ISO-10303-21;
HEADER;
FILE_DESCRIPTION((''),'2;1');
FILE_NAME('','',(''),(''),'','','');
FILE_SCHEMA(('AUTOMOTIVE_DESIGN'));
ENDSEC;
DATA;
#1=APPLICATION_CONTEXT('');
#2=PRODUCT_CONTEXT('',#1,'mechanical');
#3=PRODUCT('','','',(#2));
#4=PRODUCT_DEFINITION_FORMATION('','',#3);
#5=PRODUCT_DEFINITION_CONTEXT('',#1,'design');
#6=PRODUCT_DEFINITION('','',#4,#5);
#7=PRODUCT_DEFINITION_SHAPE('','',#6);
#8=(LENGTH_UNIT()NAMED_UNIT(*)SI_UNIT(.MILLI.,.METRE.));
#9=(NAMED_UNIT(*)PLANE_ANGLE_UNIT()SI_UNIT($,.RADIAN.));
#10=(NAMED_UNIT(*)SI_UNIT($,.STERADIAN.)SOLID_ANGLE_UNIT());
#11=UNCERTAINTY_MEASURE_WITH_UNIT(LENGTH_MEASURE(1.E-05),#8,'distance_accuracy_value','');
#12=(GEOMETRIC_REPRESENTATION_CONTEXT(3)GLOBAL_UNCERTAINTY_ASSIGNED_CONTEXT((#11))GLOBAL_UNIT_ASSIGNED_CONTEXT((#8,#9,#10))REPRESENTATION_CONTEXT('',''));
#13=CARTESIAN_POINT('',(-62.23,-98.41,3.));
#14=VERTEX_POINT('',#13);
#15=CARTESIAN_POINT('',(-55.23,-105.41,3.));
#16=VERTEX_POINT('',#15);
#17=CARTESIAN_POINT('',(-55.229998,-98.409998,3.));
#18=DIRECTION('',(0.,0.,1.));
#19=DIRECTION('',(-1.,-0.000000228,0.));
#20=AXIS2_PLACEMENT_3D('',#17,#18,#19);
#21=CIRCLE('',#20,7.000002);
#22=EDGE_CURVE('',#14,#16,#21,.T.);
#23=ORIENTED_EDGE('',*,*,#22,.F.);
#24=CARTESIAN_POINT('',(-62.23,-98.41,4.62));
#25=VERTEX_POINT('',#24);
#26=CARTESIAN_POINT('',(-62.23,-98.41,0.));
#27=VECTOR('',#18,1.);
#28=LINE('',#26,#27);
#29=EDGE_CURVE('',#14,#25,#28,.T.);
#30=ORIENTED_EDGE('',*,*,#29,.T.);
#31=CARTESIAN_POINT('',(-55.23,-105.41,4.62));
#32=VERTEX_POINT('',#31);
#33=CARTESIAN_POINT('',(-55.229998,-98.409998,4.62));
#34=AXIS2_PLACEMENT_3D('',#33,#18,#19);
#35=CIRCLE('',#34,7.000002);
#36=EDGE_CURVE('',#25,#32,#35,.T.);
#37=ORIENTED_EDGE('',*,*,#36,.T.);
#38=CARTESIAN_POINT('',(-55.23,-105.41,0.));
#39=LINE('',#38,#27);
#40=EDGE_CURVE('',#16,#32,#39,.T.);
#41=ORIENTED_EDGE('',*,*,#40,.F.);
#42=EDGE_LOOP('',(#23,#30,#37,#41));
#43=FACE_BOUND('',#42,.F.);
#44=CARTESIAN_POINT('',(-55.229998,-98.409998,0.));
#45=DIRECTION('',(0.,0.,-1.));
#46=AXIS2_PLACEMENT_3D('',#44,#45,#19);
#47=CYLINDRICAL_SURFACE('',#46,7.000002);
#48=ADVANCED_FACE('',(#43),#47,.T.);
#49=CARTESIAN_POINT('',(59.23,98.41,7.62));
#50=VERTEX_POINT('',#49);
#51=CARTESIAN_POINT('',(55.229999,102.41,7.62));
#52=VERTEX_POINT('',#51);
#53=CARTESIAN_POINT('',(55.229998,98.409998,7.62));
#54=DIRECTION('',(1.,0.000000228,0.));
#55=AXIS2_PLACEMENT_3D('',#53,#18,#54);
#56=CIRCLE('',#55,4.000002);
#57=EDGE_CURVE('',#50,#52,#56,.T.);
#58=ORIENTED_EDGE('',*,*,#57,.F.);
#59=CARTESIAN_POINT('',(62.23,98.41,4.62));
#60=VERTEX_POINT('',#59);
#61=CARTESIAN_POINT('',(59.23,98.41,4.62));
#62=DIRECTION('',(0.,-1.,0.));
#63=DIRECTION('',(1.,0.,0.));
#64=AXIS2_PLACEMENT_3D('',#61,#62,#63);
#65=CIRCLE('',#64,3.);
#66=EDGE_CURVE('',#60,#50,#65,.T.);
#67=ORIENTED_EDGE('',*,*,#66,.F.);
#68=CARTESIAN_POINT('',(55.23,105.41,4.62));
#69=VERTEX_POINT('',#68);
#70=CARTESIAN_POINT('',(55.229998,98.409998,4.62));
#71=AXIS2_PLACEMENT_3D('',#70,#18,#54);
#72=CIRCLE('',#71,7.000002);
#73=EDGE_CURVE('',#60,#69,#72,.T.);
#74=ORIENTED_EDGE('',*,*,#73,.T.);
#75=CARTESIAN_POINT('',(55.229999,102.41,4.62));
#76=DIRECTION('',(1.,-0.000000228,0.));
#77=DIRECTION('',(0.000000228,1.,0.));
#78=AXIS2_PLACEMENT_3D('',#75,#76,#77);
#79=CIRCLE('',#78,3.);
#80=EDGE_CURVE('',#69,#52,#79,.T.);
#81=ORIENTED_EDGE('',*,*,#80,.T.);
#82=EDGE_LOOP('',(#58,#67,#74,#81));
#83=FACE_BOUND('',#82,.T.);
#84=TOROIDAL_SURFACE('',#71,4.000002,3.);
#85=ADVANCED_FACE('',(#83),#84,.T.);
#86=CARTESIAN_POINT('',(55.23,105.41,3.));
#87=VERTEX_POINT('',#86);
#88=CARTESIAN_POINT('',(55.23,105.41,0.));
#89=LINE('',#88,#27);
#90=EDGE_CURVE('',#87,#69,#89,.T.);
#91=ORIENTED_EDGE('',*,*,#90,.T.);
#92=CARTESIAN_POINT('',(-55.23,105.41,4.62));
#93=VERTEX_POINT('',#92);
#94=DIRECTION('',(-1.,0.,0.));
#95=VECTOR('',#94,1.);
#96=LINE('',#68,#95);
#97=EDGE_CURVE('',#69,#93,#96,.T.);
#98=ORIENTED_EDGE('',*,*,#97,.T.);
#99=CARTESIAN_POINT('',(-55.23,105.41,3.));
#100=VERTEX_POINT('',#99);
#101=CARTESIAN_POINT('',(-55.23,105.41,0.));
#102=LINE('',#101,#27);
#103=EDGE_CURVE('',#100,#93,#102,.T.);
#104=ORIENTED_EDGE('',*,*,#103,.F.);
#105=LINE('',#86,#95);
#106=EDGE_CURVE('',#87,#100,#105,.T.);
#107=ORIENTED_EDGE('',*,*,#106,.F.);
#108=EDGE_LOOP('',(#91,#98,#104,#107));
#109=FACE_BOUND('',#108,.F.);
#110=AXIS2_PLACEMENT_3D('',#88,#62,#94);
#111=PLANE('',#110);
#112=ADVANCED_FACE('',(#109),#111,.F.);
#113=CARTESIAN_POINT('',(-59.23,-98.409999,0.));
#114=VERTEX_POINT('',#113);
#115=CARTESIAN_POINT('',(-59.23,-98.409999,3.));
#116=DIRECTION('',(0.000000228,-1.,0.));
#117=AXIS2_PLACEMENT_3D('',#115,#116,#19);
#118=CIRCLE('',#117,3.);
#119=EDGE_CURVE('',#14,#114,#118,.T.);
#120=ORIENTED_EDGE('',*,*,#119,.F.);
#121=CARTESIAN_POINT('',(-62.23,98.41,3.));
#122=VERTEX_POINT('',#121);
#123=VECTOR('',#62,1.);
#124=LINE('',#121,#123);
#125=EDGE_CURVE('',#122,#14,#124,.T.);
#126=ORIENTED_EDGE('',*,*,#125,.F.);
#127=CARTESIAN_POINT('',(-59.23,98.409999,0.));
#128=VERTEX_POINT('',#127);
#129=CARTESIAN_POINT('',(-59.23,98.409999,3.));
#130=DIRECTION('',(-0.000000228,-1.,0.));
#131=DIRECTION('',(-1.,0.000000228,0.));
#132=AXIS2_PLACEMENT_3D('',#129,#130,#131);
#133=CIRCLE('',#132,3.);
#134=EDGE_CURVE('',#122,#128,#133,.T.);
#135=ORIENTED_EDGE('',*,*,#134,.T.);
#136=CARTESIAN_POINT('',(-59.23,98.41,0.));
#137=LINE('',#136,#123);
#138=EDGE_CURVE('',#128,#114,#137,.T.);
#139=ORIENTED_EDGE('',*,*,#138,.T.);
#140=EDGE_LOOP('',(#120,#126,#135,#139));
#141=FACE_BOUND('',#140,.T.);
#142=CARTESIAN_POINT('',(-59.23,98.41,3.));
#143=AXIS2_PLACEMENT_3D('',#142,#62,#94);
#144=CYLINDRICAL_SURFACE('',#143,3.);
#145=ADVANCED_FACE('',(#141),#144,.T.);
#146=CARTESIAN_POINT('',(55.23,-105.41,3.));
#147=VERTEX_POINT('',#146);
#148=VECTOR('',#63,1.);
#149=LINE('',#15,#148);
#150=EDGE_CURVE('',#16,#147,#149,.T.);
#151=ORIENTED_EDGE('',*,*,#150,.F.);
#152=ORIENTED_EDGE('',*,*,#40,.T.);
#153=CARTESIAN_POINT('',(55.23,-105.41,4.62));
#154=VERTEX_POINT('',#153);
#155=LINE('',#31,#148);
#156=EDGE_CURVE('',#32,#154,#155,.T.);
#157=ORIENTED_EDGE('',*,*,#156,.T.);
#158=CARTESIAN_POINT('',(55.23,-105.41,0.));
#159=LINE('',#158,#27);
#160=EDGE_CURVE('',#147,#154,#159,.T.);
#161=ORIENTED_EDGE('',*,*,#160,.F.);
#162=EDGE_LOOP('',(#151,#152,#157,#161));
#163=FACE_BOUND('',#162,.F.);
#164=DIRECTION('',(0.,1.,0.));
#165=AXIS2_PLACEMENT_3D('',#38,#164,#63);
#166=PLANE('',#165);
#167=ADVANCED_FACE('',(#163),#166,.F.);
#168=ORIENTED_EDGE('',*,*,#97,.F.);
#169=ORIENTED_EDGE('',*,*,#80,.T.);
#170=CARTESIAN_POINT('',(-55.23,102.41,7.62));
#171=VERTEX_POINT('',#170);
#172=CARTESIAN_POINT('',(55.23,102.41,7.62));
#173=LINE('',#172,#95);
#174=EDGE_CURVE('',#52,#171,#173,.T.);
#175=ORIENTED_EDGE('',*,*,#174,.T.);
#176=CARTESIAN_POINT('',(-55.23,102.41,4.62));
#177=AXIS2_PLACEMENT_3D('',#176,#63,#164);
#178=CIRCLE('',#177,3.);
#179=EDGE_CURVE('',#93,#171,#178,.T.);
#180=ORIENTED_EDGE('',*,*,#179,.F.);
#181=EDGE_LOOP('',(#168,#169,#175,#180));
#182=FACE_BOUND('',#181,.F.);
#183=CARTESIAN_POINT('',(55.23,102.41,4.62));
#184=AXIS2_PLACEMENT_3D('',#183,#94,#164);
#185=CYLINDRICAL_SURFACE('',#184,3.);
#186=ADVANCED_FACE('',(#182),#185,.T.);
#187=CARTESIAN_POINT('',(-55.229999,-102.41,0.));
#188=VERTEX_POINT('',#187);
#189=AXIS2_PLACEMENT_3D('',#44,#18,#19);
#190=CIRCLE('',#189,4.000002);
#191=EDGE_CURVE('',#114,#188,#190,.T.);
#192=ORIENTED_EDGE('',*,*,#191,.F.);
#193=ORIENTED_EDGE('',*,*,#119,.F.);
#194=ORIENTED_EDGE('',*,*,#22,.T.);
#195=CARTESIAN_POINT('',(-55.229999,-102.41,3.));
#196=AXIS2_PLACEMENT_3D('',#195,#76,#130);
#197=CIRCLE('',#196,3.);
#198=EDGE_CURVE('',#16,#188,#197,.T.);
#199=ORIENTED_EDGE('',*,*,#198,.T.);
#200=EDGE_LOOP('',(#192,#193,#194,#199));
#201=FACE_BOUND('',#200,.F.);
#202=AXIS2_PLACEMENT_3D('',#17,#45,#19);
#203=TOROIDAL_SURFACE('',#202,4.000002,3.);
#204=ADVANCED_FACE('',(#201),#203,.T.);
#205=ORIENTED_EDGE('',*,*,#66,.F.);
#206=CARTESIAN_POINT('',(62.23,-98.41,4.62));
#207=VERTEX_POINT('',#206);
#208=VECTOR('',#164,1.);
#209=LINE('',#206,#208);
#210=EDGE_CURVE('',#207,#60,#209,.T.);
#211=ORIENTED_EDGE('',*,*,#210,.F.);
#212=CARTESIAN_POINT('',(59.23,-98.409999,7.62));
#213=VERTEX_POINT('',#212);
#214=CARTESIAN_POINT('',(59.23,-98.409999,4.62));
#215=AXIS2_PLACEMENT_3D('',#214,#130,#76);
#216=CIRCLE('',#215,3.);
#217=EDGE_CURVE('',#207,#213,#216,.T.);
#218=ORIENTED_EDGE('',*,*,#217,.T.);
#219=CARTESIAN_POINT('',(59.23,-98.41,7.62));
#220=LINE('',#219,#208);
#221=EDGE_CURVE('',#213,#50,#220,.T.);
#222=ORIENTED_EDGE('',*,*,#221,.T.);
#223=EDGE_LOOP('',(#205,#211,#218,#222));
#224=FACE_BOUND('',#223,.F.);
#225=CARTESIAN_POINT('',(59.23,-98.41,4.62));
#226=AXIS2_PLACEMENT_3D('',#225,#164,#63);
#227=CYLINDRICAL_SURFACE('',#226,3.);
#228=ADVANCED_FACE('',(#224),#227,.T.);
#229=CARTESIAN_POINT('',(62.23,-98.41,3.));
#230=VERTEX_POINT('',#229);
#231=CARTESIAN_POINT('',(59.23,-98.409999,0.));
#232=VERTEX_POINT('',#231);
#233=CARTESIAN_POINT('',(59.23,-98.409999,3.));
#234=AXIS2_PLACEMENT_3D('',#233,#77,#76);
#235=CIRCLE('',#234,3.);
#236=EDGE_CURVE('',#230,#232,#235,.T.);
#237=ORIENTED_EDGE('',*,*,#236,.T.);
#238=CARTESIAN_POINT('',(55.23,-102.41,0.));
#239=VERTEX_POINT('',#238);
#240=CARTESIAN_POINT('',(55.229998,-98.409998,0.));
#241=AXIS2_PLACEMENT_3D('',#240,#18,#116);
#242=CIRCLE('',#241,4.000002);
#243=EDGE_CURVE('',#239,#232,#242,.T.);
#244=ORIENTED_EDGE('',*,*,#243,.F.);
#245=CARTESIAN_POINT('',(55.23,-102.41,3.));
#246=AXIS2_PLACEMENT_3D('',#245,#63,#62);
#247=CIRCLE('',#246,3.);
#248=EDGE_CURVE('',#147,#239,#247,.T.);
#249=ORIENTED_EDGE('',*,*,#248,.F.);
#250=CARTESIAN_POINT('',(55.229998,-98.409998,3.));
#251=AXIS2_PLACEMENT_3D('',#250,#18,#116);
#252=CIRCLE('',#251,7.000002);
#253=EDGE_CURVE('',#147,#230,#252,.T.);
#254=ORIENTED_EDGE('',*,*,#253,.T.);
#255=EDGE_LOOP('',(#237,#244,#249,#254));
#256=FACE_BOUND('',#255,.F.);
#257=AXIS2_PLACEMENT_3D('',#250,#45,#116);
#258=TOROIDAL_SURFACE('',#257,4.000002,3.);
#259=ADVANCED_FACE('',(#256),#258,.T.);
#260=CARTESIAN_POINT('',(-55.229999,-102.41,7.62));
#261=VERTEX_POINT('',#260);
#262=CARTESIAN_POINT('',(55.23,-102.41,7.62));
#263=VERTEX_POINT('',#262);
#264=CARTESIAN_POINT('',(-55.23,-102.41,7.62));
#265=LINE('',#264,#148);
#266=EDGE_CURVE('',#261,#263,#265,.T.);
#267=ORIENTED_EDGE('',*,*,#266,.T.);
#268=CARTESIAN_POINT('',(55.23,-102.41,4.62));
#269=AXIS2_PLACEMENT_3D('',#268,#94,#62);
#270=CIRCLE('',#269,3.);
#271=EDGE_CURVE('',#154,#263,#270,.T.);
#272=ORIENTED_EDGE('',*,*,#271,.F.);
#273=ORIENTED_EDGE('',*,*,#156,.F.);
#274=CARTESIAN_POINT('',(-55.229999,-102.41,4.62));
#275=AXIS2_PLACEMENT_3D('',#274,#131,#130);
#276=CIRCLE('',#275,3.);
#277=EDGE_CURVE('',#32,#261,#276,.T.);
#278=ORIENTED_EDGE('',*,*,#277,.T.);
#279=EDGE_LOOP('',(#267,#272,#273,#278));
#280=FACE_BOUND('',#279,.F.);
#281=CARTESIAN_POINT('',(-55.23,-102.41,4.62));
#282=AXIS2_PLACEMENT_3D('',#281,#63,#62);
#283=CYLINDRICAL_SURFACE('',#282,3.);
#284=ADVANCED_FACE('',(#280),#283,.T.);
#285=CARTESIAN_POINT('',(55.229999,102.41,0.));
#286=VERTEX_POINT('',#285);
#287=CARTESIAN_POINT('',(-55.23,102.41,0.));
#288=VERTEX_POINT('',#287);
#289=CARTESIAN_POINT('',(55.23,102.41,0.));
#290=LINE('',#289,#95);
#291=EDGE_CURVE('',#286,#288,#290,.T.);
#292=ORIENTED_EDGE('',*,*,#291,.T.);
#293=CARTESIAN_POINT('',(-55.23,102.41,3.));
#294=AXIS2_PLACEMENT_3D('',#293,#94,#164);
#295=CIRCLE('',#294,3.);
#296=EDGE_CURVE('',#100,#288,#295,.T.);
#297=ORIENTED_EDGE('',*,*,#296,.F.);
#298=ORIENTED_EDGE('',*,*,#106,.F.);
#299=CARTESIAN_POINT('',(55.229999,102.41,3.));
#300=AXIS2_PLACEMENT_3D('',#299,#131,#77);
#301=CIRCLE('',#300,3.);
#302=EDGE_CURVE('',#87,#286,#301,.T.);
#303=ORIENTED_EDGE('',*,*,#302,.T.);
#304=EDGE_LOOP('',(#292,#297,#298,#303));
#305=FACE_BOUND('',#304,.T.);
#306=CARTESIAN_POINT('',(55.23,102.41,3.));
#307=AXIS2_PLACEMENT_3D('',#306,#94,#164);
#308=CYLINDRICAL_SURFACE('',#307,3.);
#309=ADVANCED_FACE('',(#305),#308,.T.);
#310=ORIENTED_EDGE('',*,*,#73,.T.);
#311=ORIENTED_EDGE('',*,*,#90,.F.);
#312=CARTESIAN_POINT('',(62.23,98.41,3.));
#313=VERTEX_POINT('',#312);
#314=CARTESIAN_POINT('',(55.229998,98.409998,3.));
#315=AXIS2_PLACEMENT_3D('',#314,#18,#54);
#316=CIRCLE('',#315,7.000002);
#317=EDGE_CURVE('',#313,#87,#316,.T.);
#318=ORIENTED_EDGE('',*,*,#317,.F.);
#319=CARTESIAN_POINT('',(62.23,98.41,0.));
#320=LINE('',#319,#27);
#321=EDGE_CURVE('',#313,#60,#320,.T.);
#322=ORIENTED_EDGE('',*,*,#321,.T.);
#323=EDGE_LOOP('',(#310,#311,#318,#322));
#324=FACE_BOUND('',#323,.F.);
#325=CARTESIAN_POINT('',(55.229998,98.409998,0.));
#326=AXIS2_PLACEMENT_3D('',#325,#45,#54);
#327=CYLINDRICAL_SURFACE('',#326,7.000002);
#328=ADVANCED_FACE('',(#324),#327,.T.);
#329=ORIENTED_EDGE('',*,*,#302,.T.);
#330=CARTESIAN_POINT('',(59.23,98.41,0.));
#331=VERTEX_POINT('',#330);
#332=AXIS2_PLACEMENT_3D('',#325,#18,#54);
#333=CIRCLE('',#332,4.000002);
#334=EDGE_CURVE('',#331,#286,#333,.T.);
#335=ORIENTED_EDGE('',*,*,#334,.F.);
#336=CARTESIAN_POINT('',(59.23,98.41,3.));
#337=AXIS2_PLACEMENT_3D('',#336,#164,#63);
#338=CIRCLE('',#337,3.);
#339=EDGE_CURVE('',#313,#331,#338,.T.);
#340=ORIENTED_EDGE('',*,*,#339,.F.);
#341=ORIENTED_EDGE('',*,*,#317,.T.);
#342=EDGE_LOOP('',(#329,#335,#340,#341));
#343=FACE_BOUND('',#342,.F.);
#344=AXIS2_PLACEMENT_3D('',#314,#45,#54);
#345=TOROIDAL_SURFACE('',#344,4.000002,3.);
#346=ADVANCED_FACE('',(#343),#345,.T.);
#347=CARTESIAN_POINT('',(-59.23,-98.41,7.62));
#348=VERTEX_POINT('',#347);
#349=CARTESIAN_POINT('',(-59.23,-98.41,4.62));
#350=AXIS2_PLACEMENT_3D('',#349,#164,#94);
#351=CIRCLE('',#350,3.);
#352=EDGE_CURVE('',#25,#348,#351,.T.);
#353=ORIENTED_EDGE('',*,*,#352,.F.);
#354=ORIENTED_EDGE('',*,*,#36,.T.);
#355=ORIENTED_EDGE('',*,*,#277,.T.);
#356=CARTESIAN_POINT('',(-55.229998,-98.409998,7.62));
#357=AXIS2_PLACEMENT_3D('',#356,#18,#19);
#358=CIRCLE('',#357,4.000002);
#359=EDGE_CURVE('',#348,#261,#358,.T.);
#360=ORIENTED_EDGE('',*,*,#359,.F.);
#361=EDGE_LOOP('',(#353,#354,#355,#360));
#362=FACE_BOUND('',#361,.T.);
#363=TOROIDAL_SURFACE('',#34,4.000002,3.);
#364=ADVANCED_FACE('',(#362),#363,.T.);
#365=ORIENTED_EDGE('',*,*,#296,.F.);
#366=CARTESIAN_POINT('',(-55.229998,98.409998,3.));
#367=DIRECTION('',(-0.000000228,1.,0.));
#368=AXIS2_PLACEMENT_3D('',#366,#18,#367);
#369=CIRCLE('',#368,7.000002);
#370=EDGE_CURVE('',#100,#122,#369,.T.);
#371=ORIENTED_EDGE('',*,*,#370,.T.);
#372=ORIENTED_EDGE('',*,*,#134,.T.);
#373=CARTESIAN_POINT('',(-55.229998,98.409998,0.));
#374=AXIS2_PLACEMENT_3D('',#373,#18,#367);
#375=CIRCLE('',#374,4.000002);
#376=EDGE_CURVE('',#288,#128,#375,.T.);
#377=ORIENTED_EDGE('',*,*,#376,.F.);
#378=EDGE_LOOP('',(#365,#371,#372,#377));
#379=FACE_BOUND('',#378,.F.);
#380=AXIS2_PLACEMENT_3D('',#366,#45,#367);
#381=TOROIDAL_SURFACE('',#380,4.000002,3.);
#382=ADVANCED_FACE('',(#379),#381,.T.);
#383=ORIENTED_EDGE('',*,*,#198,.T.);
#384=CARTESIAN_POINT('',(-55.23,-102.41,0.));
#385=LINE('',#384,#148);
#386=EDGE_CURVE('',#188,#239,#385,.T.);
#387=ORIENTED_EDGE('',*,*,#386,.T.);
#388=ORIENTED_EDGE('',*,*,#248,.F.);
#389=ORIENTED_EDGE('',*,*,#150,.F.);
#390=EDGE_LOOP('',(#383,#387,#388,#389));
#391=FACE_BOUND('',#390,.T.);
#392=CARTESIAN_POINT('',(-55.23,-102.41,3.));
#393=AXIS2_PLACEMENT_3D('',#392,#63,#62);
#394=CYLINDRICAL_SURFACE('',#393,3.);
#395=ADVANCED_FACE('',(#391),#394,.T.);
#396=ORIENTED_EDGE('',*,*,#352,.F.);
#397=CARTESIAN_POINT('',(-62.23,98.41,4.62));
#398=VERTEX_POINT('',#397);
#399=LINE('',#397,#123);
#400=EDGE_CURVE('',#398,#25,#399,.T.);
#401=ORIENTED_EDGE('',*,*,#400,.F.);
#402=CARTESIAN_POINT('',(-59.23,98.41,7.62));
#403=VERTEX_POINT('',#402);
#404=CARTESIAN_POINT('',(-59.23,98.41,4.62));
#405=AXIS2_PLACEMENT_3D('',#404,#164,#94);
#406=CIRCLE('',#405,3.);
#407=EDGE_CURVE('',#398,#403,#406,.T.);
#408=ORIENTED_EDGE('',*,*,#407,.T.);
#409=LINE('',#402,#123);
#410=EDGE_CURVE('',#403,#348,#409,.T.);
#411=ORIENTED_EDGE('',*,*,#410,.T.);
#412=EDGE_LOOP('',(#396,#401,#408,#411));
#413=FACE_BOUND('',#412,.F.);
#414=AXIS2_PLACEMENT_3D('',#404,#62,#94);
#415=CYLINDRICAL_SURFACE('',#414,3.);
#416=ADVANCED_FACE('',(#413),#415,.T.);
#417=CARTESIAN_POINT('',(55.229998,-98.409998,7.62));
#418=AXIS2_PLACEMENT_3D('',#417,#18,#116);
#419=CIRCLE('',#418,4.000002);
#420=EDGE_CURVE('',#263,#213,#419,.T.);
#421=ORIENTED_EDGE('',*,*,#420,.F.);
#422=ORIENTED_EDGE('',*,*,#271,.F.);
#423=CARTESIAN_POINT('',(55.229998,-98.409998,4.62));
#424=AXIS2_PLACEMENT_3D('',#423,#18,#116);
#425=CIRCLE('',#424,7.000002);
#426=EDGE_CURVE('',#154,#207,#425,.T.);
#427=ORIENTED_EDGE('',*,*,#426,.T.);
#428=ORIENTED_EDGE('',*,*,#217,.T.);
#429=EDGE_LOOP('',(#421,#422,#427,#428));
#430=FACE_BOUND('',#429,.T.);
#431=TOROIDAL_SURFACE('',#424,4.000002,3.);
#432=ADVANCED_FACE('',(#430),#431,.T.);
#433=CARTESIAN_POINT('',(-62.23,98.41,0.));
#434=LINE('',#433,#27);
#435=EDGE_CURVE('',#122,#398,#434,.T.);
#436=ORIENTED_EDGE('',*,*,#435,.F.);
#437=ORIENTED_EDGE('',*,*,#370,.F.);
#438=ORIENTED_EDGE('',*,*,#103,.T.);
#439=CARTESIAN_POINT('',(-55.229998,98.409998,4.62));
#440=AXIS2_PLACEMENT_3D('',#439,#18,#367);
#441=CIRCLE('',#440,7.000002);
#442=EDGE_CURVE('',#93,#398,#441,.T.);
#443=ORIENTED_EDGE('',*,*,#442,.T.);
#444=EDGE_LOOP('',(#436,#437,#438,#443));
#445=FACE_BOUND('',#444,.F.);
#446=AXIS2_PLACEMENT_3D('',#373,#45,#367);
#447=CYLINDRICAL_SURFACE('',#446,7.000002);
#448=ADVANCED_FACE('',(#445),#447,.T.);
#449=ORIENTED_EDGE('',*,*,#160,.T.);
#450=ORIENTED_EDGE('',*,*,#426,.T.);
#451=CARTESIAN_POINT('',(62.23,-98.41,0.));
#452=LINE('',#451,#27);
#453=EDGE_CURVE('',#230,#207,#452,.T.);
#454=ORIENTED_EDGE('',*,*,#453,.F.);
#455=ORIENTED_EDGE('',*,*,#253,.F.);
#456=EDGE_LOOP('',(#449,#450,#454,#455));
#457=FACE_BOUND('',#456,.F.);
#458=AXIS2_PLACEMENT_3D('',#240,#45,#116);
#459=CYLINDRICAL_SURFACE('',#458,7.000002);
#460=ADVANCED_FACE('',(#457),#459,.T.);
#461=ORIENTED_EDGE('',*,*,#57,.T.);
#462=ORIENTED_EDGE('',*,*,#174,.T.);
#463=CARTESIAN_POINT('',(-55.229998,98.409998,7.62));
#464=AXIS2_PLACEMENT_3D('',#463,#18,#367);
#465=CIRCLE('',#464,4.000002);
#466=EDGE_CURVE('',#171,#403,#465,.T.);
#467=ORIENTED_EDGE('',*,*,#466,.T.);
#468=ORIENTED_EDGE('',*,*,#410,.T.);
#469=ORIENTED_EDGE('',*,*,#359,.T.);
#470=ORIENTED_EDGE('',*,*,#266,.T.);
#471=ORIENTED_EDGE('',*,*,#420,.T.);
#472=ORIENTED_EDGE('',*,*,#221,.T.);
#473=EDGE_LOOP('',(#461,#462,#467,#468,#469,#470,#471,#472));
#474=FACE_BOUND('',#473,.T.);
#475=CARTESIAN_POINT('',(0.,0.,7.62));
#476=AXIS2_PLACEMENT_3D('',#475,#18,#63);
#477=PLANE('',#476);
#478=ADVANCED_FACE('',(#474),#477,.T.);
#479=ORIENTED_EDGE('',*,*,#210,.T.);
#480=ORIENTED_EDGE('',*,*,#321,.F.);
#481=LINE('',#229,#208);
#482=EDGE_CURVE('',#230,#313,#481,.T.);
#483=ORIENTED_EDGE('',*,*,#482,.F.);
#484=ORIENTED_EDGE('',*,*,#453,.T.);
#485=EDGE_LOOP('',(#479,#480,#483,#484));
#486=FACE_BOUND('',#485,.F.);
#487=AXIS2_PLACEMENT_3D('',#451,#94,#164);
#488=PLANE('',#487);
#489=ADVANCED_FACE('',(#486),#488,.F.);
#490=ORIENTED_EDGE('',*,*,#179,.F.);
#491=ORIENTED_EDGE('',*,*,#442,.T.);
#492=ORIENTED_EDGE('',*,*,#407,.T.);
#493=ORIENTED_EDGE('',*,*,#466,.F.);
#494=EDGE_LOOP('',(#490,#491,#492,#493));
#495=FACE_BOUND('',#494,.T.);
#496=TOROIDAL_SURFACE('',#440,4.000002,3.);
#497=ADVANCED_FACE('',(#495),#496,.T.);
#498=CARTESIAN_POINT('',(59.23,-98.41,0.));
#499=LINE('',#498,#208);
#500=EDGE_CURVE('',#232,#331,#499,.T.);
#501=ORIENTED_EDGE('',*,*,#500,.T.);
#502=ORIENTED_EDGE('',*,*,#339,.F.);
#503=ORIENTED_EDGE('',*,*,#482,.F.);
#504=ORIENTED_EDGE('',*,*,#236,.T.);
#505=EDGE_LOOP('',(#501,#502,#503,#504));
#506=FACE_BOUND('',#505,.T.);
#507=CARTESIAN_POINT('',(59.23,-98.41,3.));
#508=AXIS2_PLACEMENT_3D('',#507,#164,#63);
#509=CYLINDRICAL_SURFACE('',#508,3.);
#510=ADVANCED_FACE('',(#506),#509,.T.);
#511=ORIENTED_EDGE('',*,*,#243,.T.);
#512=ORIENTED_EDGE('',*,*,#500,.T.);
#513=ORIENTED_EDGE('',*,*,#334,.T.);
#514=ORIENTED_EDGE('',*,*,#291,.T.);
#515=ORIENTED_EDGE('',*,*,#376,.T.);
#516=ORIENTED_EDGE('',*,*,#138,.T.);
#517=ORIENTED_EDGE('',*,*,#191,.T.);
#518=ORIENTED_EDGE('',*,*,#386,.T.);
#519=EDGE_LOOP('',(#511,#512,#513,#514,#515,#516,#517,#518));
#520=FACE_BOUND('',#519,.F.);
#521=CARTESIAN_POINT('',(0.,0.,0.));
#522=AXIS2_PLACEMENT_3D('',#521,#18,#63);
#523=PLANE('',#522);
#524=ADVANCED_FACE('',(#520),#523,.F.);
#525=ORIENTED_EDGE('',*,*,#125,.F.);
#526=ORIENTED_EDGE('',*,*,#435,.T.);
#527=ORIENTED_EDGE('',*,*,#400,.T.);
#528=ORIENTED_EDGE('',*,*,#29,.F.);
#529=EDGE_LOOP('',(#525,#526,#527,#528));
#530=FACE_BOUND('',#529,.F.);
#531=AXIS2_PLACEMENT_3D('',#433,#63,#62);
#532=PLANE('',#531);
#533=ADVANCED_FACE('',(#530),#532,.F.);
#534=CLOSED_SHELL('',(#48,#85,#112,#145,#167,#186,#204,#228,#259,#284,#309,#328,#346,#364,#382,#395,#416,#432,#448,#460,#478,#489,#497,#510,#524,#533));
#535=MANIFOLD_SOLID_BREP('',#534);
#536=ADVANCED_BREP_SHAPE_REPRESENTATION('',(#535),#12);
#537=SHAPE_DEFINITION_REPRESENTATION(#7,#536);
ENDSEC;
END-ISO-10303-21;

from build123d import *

# Parameters (mm, degrees)
F1_DEPTH = 7.62
F2_R     = 3
F3_R     = 3


with BuildPart() as f1:
    # F0 (on Top) → F1 (new body)
    with BuildSketch(Plane.XY):
        with BuildLine():
            ThreePointArc((-62.23, -98.41), (-60.179747, -103.359747), (-55.23, -105.41))
            Line((-55.23, -105.41), (55.23, -105.41))
            ThreePointArc((55.23, -105.41), (60.179747, -103.359747), (62.23, -98.41))
            Line((62.23, -98.41), (62.23, 98.41))
            ThreePointArc((62.23, 98.41), (60.179747, 103.359747), (55.23, 105.41))
            Line((55.23, 105.41), (-55.23, 105.41))
            ThreePointArc((-55.23, 105.41), (-60.179747, 103.359747), (-62.23, 98.41))
            Line((-62.23, 98.41), (-62.23, -98.41))
        make_face()
    extrude(amount=F1_DEPTH)

    # F2
    f2_edges = [f1.edges().sort_by_distance(p)[0] for p in [
        (-62.23, 0, 7.62),
    ]]
    fillet(f2_edges, radius=F2_R)

    # F3
    f3_edges = [f1.edges().sort_by_distance(p)[0] for p in [
        (-60.179747, -103.359747, 0),
        (0, -105.41, 0),
        (60.179747, -103.359747, 0),
        (62.23, 0, 0),
        (60.179747, 103.359747, 0),
        (0, 105.41, 0),
        (-60.179747, 103.359747, 0),
        (-62.23, 0, 0),
    ]]
    fillet(f3_edges, radius=F3_R)


solid = f1.part
